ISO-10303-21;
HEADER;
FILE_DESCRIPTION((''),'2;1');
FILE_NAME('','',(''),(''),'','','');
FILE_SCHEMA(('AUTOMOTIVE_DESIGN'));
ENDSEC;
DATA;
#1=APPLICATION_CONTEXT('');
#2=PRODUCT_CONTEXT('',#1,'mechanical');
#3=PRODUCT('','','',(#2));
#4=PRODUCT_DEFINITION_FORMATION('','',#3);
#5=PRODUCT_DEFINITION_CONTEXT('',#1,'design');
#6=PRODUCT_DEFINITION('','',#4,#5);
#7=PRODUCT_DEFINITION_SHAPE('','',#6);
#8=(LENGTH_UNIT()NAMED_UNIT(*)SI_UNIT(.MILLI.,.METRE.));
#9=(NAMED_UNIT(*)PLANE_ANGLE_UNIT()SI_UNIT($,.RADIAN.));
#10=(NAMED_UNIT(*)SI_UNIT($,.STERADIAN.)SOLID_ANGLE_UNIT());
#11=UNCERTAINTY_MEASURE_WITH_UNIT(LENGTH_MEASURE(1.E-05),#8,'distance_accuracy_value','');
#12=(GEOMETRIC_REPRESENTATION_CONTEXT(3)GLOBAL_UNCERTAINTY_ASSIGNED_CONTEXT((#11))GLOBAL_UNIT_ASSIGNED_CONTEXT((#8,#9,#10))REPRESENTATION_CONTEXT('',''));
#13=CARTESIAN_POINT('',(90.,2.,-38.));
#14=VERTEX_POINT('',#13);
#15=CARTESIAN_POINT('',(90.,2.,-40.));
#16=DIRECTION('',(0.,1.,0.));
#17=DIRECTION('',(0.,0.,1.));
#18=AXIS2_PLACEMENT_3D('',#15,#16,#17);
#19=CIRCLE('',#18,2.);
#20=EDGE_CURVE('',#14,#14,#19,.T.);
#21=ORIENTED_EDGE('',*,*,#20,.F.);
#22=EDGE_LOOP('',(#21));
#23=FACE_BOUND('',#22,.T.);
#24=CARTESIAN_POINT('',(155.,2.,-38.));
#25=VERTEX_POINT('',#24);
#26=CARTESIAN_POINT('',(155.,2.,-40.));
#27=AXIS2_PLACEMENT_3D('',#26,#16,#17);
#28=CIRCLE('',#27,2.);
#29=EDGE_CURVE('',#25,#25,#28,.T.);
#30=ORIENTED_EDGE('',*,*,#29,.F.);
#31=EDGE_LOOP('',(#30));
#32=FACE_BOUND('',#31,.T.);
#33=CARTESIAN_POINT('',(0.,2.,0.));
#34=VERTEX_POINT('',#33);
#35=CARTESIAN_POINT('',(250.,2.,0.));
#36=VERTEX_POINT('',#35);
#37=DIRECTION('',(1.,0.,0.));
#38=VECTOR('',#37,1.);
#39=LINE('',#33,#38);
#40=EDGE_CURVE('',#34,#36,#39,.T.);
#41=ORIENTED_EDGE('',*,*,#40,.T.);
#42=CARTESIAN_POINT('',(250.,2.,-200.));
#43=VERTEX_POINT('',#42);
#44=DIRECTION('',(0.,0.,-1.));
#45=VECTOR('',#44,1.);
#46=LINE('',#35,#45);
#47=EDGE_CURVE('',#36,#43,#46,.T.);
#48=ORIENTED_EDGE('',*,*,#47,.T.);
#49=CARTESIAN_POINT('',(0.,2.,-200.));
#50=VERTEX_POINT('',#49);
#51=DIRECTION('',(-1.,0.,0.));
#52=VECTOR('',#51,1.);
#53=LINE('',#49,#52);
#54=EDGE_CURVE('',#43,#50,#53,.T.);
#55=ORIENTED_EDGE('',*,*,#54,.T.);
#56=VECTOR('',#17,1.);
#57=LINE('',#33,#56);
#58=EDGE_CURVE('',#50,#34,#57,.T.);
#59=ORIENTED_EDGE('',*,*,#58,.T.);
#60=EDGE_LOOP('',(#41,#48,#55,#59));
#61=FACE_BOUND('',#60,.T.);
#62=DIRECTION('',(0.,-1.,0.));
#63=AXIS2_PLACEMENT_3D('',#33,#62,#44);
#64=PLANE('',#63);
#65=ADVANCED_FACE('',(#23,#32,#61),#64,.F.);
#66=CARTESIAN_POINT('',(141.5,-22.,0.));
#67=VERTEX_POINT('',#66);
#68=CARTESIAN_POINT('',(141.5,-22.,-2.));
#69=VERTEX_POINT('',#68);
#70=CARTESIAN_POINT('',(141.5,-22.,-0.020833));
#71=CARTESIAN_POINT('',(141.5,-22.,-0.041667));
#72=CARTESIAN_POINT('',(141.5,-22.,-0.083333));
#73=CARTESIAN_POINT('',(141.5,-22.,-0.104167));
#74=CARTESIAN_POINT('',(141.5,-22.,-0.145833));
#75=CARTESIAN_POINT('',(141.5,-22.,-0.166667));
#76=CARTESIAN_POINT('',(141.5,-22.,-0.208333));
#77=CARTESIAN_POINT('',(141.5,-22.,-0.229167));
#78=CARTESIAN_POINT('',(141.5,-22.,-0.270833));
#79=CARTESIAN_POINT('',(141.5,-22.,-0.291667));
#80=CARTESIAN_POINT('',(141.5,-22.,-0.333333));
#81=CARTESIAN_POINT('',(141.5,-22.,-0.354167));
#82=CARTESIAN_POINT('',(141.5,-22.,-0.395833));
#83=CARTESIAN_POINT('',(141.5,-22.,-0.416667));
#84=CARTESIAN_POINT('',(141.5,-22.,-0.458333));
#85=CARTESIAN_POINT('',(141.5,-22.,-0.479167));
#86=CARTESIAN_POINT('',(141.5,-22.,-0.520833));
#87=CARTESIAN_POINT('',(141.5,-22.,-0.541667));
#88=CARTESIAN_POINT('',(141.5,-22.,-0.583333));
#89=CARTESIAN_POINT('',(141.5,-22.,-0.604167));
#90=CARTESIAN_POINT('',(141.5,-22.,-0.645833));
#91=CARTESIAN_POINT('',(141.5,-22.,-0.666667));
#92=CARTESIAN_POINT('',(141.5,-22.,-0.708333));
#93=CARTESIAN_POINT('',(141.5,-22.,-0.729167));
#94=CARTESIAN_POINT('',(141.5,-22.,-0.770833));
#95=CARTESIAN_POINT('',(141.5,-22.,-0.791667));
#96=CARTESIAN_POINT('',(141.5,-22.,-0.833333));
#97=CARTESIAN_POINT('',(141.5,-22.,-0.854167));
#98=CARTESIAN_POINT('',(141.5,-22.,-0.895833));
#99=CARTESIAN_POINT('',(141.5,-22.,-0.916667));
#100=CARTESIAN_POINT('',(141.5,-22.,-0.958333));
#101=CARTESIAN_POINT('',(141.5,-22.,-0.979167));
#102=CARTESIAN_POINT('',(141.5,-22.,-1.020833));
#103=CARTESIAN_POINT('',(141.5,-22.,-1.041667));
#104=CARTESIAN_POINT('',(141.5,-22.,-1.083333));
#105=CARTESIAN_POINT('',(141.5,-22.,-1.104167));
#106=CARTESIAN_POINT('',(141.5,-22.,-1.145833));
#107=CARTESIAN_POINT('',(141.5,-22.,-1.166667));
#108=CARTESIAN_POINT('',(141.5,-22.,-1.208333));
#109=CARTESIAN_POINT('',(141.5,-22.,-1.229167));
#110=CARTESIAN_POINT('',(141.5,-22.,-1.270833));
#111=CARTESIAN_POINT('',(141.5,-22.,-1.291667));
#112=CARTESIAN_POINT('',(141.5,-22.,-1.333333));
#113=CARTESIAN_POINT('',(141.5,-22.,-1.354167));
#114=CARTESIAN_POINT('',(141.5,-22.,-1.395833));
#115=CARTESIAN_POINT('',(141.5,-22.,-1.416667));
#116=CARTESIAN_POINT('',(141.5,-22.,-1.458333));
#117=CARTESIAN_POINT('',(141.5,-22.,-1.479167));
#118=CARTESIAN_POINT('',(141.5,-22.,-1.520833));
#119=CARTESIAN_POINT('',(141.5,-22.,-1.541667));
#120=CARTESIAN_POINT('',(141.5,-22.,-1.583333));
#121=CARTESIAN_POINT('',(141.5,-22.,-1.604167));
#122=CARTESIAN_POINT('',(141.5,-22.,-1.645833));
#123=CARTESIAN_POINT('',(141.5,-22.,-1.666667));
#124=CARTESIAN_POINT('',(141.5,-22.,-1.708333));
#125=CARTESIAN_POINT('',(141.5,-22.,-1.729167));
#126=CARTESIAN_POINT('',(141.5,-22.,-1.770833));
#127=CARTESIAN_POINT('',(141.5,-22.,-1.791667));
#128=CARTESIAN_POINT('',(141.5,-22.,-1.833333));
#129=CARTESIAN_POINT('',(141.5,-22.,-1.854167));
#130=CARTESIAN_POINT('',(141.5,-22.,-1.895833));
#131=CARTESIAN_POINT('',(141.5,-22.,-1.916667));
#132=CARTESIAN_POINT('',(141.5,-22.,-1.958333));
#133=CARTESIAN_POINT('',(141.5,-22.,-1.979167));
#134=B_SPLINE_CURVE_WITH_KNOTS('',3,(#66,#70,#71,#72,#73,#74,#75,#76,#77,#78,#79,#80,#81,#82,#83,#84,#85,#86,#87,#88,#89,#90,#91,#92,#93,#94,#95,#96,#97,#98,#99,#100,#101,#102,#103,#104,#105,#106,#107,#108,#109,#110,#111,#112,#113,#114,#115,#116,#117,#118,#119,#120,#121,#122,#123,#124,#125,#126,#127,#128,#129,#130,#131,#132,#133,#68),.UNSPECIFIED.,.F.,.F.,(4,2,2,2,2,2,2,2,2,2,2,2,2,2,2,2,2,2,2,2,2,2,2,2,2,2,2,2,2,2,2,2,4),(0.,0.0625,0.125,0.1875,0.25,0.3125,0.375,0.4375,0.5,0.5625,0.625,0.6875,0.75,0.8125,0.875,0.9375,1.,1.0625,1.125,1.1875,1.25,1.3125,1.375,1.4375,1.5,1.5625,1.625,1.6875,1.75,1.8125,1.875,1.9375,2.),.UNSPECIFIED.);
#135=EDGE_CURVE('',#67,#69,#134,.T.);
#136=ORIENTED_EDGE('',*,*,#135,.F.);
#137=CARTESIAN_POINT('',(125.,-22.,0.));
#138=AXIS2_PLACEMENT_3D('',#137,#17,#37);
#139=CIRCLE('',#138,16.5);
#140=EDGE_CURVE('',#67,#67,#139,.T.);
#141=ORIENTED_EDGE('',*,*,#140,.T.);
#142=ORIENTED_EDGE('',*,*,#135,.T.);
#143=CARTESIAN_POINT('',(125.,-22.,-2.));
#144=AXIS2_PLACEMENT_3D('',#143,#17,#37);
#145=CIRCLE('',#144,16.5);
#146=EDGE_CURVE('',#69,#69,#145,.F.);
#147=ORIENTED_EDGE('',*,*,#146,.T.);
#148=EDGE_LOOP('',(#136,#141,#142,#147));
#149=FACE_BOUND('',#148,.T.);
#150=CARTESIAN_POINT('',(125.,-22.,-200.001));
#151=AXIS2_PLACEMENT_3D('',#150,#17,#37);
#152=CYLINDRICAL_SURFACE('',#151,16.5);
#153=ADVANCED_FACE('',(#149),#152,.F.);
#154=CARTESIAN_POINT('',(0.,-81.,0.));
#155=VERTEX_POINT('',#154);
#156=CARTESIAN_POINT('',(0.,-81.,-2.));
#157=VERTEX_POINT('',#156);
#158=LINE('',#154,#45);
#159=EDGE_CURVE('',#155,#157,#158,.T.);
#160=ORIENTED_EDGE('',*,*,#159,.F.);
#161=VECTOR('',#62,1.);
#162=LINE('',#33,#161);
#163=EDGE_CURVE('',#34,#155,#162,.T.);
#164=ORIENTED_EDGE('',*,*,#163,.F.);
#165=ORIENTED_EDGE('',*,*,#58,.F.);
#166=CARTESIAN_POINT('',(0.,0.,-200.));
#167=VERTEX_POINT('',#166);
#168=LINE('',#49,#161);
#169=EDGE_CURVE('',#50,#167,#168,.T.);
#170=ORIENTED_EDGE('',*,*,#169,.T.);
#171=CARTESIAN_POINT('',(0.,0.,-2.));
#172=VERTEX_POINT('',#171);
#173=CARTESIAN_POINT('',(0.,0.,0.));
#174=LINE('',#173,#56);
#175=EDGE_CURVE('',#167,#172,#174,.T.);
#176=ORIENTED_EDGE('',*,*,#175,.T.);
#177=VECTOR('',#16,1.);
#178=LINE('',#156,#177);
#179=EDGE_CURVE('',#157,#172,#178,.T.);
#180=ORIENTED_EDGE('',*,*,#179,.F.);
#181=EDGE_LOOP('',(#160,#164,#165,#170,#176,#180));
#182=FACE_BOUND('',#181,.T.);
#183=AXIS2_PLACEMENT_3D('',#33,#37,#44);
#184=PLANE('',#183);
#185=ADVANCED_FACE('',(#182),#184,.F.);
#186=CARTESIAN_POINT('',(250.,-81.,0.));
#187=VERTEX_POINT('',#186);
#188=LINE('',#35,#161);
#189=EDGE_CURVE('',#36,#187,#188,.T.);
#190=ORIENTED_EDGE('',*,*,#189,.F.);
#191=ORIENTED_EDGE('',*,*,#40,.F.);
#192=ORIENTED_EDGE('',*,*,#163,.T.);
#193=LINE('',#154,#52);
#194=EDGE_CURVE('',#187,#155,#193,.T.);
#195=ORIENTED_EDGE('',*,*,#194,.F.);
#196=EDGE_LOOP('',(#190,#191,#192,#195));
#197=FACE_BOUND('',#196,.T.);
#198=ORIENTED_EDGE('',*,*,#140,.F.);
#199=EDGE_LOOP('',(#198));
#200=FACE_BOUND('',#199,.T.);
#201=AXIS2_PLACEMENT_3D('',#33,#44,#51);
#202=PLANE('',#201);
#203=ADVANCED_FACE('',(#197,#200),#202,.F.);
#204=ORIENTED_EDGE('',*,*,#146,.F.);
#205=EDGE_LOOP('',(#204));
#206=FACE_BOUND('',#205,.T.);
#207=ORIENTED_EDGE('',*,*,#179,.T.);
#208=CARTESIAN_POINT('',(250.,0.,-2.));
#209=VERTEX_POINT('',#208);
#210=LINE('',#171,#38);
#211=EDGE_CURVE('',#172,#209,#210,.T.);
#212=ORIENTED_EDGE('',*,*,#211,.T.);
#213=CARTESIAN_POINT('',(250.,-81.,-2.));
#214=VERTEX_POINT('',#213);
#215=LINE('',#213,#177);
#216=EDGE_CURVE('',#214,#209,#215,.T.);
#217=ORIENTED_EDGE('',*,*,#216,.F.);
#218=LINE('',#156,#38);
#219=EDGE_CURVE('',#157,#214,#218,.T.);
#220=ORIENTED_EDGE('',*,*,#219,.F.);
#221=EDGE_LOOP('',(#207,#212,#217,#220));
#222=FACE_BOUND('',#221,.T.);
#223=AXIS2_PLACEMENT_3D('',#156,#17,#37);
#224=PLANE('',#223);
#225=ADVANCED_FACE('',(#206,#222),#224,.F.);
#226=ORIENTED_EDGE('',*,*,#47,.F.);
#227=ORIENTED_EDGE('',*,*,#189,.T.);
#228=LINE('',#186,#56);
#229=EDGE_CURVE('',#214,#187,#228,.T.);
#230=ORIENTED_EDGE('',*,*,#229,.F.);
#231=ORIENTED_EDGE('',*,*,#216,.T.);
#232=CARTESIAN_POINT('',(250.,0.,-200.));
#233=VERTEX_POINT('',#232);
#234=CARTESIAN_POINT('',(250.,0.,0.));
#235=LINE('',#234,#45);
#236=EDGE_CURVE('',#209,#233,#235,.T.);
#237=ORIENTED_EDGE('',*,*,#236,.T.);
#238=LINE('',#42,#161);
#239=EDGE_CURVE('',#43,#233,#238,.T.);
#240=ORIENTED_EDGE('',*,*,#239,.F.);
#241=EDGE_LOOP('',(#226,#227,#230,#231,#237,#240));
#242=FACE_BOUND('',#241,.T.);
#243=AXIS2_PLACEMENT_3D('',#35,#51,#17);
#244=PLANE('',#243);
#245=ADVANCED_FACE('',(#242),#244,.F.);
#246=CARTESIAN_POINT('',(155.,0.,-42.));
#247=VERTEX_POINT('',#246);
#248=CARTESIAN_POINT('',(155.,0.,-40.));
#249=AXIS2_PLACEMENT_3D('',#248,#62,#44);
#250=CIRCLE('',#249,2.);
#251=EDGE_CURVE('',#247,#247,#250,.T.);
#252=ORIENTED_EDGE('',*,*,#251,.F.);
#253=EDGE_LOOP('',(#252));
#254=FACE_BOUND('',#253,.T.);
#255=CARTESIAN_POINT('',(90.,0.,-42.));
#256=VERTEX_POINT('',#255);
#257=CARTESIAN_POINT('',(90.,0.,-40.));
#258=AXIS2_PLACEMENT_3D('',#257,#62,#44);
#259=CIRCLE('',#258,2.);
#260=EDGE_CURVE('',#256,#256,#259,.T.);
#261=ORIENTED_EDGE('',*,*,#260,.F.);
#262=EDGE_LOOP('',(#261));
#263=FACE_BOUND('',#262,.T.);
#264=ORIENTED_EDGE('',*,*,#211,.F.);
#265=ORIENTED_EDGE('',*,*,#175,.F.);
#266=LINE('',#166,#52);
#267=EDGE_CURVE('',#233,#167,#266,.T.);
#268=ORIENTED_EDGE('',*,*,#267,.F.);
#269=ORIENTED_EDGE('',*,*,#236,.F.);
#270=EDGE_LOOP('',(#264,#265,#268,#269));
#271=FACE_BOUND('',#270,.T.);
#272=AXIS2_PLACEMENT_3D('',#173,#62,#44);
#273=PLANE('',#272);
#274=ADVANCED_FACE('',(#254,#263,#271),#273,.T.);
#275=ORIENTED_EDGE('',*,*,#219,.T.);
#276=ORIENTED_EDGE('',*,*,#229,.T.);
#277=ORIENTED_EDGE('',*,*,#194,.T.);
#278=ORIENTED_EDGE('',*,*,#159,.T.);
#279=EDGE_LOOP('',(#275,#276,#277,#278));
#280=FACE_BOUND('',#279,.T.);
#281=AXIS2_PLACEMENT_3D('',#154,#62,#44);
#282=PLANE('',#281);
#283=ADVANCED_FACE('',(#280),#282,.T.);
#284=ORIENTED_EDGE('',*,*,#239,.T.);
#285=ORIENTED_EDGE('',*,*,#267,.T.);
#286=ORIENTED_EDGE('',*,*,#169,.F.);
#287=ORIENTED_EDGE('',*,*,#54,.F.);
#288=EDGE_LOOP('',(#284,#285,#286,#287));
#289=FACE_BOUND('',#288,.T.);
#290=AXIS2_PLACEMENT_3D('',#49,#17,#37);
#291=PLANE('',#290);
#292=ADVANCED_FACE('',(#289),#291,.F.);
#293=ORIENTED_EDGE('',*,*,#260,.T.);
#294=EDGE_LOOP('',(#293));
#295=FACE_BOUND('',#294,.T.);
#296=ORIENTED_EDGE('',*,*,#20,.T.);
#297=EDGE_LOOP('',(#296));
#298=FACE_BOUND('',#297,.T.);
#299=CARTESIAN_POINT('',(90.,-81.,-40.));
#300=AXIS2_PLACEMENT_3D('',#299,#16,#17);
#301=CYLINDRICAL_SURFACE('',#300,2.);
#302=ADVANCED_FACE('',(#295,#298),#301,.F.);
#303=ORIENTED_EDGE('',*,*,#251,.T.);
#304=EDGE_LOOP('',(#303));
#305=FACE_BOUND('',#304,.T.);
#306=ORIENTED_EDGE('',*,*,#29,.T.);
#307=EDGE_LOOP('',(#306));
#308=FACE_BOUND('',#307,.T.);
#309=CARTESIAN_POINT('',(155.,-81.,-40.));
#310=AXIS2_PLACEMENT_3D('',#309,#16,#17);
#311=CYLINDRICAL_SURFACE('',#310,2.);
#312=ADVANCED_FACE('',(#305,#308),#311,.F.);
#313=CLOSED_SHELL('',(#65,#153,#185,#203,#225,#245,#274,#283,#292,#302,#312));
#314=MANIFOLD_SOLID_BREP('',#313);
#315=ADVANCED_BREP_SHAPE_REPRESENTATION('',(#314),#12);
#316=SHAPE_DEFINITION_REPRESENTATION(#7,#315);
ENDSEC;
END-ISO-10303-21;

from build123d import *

# Parameters (mm, degrees)
SKETCH1_W           = 250
SKETCH1_H           = 200
BOSS_EXTRUDE1_DEPTH = 2
SKETCH2_W           = 250
SKETCH2_H           = 2
BOSS_EXTRUDE2_DEPTH = 81
SKETCH3_R           = 2
CUT_EXTRUDE1_DEPTH  = 331.740079216
CUT_EXTRUDE2_REACH  = 332.244
SKETCH4_R           = 16.5


with BuildPart() as part:
    # Sketch1 → Boss-Extrude1 (new body)
    with BuildSketch(Plane(origin=(0, 0, 0), x_dir=(1, 0, 0), z_dir=(0, 1, 0))):
        with Locations((125, 100)):
            Rectangle(SKETCH1_W, SKETCH1_H)
    extrude(amount=BOSS_EXTRUDE1_DEPTH)

    # Sketch2 → Boss-Extrude2 (add)
    with BuildSketch(Plane.XZ):
        with Locations((125, -1)):
            Rectangle(SKETCH2_W, SKETCH2_H)
    extrude(amount=BOSS_EXTRUDE2_DEPTH)

    # Sketch3 → Cut-Extrude1 (cut, through all)
    with BuildSketch(Plane(origin=(0, 2, 0), x_dir=(1, 0, 0), z_dir=(0, 1, 0))):
        with Locations(Location((155, 40, 0), (0, 0, 270))):
            Circle(SKETCH3_R)
        with Locations(Location((90, 40, 0), (0, 0, 270))):
            Circle(SKETCH3_R)
    extrude(amount=-CUT_EXTRUDE1_DEPTH, mode=Mode.SUBTRACT)

    # Sketch4 → Cut-Extrude2 (cut, up to next)
    with BuildSketch(Plane.XY, mode=Mode.PRIVATE) as cut_extrude2_sk1:
        with Locations((125, -22)):
            Circle(SKETCH4_R)
    cut_extrude2_tool1 = extrude(cut_extrude2_sk1.sketch, amount=-CUT_EXTRUDE2_REACH, mode=Mode.PRIVATE) & part.part
    add(cut_extrude2_tool1.solids().sort_by_distance((125, -22, 0))[0], mode=Mode.SUBTRACT)


solid = part.part
